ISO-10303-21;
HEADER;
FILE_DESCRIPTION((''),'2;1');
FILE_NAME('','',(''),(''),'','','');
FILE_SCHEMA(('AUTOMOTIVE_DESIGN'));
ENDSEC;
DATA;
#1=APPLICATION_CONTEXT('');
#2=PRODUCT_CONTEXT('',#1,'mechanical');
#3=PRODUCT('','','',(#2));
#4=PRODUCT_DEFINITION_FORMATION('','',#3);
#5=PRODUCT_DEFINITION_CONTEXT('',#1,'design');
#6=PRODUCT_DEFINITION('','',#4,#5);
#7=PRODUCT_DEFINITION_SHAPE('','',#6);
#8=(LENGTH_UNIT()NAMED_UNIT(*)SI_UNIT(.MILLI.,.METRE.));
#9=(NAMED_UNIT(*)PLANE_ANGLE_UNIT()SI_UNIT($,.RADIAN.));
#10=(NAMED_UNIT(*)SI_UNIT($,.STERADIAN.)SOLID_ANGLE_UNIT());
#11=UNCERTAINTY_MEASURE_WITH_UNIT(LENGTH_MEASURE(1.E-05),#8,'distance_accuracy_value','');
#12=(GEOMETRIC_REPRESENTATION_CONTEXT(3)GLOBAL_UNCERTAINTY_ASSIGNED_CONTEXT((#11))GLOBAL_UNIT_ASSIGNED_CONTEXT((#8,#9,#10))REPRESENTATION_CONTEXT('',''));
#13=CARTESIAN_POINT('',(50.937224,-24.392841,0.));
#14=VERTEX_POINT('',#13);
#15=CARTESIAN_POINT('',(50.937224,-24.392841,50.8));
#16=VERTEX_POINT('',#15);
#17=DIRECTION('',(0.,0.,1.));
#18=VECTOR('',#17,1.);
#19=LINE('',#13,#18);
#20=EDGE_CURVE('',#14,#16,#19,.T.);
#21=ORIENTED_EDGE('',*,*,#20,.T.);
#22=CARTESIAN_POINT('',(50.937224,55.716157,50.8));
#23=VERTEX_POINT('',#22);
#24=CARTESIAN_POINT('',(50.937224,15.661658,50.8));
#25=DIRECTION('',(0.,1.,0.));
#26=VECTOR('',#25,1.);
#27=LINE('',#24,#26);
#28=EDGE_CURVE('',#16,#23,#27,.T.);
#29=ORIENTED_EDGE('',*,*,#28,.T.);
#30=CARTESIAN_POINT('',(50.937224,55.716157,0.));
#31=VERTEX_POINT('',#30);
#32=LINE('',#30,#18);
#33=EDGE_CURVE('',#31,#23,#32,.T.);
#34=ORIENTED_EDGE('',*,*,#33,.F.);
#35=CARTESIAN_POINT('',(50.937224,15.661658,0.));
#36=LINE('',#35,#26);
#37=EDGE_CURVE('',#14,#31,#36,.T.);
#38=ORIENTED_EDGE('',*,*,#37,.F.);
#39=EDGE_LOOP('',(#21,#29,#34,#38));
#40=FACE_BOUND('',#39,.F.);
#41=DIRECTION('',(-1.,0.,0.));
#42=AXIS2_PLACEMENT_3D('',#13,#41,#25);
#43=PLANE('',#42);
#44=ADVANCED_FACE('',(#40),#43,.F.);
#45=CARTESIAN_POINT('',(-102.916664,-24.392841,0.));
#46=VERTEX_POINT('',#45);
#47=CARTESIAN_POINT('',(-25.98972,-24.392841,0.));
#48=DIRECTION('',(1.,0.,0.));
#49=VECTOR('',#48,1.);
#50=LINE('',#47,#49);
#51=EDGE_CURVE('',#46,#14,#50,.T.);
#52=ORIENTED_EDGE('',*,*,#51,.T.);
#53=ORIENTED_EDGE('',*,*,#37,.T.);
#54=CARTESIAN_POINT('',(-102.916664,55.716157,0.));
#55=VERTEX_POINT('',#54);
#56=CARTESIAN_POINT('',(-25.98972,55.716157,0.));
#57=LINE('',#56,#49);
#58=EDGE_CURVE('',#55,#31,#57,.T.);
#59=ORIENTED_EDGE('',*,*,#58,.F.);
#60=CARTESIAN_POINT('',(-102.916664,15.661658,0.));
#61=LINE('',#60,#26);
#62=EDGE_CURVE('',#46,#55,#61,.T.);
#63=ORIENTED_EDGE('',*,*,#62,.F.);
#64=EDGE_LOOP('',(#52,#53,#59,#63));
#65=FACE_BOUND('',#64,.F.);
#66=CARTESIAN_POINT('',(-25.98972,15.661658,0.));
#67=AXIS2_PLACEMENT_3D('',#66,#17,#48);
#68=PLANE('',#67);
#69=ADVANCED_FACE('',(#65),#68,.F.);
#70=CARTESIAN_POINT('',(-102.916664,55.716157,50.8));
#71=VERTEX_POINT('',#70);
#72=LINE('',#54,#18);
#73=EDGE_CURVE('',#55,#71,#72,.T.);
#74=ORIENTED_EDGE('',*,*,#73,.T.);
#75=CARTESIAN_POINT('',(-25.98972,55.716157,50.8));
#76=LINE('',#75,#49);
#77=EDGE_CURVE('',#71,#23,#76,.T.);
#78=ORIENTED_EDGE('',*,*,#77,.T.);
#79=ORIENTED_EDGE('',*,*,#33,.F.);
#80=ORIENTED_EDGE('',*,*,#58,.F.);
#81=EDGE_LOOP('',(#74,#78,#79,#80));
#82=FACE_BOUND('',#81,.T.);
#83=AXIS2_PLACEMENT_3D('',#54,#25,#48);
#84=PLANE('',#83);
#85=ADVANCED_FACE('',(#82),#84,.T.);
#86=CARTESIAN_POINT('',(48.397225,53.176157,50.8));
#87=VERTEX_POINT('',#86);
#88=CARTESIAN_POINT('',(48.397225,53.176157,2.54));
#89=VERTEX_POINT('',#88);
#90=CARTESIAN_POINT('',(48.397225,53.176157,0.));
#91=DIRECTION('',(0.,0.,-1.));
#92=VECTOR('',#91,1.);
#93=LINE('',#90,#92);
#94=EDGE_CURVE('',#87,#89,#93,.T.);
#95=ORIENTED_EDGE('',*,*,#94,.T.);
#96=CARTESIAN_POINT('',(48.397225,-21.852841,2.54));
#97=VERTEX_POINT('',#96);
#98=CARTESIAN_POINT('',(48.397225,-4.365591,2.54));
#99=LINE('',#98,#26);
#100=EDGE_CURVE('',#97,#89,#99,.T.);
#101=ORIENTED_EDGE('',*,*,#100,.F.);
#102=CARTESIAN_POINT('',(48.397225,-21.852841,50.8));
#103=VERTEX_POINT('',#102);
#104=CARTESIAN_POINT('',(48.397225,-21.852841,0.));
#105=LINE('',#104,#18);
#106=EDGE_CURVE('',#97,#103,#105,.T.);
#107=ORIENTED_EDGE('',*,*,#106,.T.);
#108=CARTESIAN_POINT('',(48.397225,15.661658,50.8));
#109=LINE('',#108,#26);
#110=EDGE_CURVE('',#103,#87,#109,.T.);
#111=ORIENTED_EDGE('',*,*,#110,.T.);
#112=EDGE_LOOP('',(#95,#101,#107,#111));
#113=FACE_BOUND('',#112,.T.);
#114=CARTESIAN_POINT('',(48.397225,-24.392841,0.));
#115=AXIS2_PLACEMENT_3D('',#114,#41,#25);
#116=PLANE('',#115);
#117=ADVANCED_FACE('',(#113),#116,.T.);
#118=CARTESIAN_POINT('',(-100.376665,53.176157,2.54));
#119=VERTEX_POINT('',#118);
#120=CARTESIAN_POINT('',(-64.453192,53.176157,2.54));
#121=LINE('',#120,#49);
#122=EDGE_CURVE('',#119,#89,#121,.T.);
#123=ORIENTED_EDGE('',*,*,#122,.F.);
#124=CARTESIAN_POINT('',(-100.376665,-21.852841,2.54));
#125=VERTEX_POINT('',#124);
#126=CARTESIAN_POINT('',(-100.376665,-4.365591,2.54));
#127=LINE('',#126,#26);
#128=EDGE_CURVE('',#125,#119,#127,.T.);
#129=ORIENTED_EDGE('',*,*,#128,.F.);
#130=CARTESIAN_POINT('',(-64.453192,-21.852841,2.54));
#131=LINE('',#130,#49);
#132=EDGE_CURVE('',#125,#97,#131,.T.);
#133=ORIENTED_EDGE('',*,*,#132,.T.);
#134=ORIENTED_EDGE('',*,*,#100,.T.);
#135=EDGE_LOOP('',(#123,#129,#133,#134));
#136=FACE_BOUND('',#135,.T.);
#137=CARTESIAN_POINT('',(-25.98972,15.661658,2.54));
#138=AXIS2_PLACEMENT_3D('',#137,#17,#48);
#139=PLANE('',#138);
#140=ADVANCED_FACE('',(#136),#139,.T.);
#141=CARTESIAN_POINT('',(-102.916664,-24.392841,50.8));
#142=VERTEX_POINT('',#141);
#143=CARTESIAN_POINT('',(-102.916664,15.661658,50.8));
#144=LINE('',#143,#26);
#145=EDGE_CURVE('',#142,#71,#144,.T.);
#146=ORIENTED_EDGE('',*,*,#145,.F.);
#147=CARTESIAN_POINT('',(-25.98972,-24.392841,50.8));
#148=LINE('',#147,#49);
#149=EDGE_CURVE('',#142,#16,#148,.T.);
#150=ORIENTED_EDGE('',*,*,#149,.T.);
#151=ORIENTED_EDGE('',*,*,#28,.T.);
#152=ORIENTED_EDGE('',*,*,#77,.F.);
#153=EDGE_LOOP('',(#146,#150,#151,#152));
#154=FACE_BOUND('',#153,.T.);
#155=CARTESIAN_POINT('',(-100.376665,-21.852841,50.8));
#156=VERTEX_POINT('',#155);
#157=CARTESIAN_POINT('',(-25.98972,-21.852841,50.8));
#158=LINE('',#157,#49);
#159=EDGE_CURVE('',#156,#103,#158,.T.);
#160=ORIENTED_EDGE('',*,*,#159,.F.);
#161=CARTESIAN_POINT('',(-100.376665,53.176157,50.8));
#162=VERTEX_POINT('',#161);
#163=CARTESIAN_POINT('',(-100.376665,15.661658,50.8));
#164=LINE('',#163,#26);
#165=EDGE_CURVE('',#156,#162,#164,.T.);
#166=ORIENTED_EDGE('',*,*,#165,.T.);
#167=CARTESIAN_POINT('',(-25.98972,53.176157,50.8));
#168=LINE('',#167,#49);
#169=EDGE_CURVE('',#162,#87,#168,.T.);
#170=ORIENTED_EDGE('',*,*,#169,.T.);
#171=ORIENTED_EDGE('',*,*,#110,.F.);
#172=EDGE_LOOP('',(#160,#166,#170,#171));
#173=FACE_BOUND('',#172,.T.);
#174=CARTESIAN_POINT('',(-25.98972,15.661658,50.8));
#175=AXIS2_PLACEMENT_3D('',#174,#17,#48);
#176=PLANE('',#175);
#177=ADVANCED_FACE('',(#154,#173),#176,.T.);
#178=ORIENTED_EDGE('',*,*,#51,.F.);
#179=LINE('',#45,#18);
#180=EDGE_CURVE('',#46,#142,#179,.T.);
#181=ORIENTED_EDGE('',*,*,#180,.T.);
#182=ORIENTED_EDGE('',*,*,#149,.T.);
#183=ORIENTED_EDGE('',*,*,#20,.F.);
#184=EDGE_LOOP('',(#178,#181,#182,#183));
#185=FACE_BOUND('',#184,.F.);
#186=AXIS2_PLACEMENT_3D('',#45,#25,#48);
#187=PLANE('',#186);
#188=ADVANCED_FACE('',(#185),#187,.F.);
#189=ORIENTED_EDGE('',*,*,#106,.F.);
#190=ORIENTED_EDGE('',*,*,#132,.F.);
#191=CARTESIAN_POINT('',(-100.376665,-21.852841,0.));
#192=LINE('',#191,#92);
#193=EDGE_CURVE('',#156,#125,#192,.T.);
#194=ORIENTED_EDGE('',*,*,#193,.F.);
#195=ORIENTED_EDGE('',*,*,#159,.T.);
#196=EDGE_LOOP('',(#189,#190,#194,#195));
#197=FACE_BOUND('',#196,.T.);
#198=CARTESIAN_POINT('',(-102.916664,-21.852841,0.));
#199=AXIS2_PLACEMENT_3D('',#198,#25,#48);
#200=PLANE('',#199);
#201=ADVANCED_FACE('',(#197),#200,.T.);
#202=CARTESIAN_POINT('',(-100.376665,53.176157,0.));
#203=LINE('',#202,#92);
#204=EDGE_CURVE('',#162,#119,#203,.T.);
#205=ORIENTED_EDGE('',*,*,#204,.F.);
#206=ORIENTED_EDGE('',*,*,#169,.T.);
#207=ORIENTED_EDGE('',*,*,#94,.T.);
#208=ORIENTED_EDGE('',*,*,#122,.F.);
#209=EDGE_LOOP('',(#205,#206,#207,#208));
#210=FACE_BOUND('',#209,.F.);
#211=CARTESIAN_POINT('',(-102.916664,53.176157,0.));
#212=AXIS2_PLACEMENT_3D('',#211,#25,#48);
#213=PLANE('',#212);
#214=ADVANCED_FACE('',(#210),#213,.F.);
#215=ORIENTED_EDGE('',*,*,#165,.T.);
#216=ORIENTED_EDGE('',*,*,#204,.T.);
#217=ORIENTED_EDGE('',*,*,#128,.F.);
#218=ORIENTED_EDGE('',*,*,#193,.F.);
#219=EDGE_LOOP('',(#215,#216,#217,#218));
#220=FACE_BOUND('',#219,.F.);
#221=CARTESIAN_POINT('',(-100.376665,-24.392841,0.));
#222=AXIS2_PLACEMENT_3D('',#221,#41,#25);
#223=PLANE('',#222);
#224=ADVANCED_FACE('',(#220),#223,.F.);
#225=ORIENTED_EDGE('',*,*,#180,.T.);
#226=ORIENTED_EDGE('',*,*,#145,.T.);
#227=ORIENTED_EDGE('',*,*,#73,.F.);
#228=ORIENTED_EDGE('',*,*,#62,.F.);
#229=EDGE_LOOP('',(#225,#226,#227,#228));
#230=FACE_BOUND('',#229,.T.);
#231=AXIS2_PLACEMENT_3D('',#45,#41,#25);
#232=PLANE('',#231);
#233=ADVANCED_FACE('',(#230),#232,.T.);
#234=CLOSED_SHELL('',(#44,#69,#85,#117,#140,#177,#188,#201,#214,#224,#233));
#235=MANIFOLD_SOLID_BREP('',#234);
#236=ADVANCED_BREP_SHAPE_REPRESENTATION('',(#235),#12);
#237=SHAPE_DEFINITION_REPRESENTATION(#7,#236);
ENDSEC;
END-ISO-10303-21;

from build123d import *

# Parameters (mm, degrees)
F0_W     = 153.853889
F0_H     = 80.108998
F1_DEPTH = 50.8
F2_W     = 126.011554
F2_H     = 47.126646
F3_DEPTH = 25.4
F4_DEPTH = 25.4
F5_T     = -2.54


with BuildPart() as f1:
    # F0 (on Top) → F1 (new body)
    with BuildSketch(Plane.XY):
        with Locations((-25.98972, 15.661658)):
            Rectangle(F0_W, F0_H)
    extrude(amount=F1_DEPTH)

    # F2 (on face) → F3 (join)
    with BuildSketch(Plane.XY.offset(50.8)):
        with Locations((-26.755249, 16.175097)):
            Rectangle(F2_W, F2_H)
    extrude(amount=-F3_DEPTH)

    # F2 (on face) → F4 (join)
    with BuildSketch(Plane.XY.offset(50.8)):
        with Locations((-26.755249, 16.175097)):
            Rectangle(F2_W, F2_H)
    extrude(amount=-F4_DEPTH)

    # F5
    f5_openings = [f1.faces().sort_by_distance(p)[0] for p in [
        (-25.989721, 15.661658, 50.8),
    ]]
    offset(amount=F5_T, openings=f5_openings)


solid = f1.part
